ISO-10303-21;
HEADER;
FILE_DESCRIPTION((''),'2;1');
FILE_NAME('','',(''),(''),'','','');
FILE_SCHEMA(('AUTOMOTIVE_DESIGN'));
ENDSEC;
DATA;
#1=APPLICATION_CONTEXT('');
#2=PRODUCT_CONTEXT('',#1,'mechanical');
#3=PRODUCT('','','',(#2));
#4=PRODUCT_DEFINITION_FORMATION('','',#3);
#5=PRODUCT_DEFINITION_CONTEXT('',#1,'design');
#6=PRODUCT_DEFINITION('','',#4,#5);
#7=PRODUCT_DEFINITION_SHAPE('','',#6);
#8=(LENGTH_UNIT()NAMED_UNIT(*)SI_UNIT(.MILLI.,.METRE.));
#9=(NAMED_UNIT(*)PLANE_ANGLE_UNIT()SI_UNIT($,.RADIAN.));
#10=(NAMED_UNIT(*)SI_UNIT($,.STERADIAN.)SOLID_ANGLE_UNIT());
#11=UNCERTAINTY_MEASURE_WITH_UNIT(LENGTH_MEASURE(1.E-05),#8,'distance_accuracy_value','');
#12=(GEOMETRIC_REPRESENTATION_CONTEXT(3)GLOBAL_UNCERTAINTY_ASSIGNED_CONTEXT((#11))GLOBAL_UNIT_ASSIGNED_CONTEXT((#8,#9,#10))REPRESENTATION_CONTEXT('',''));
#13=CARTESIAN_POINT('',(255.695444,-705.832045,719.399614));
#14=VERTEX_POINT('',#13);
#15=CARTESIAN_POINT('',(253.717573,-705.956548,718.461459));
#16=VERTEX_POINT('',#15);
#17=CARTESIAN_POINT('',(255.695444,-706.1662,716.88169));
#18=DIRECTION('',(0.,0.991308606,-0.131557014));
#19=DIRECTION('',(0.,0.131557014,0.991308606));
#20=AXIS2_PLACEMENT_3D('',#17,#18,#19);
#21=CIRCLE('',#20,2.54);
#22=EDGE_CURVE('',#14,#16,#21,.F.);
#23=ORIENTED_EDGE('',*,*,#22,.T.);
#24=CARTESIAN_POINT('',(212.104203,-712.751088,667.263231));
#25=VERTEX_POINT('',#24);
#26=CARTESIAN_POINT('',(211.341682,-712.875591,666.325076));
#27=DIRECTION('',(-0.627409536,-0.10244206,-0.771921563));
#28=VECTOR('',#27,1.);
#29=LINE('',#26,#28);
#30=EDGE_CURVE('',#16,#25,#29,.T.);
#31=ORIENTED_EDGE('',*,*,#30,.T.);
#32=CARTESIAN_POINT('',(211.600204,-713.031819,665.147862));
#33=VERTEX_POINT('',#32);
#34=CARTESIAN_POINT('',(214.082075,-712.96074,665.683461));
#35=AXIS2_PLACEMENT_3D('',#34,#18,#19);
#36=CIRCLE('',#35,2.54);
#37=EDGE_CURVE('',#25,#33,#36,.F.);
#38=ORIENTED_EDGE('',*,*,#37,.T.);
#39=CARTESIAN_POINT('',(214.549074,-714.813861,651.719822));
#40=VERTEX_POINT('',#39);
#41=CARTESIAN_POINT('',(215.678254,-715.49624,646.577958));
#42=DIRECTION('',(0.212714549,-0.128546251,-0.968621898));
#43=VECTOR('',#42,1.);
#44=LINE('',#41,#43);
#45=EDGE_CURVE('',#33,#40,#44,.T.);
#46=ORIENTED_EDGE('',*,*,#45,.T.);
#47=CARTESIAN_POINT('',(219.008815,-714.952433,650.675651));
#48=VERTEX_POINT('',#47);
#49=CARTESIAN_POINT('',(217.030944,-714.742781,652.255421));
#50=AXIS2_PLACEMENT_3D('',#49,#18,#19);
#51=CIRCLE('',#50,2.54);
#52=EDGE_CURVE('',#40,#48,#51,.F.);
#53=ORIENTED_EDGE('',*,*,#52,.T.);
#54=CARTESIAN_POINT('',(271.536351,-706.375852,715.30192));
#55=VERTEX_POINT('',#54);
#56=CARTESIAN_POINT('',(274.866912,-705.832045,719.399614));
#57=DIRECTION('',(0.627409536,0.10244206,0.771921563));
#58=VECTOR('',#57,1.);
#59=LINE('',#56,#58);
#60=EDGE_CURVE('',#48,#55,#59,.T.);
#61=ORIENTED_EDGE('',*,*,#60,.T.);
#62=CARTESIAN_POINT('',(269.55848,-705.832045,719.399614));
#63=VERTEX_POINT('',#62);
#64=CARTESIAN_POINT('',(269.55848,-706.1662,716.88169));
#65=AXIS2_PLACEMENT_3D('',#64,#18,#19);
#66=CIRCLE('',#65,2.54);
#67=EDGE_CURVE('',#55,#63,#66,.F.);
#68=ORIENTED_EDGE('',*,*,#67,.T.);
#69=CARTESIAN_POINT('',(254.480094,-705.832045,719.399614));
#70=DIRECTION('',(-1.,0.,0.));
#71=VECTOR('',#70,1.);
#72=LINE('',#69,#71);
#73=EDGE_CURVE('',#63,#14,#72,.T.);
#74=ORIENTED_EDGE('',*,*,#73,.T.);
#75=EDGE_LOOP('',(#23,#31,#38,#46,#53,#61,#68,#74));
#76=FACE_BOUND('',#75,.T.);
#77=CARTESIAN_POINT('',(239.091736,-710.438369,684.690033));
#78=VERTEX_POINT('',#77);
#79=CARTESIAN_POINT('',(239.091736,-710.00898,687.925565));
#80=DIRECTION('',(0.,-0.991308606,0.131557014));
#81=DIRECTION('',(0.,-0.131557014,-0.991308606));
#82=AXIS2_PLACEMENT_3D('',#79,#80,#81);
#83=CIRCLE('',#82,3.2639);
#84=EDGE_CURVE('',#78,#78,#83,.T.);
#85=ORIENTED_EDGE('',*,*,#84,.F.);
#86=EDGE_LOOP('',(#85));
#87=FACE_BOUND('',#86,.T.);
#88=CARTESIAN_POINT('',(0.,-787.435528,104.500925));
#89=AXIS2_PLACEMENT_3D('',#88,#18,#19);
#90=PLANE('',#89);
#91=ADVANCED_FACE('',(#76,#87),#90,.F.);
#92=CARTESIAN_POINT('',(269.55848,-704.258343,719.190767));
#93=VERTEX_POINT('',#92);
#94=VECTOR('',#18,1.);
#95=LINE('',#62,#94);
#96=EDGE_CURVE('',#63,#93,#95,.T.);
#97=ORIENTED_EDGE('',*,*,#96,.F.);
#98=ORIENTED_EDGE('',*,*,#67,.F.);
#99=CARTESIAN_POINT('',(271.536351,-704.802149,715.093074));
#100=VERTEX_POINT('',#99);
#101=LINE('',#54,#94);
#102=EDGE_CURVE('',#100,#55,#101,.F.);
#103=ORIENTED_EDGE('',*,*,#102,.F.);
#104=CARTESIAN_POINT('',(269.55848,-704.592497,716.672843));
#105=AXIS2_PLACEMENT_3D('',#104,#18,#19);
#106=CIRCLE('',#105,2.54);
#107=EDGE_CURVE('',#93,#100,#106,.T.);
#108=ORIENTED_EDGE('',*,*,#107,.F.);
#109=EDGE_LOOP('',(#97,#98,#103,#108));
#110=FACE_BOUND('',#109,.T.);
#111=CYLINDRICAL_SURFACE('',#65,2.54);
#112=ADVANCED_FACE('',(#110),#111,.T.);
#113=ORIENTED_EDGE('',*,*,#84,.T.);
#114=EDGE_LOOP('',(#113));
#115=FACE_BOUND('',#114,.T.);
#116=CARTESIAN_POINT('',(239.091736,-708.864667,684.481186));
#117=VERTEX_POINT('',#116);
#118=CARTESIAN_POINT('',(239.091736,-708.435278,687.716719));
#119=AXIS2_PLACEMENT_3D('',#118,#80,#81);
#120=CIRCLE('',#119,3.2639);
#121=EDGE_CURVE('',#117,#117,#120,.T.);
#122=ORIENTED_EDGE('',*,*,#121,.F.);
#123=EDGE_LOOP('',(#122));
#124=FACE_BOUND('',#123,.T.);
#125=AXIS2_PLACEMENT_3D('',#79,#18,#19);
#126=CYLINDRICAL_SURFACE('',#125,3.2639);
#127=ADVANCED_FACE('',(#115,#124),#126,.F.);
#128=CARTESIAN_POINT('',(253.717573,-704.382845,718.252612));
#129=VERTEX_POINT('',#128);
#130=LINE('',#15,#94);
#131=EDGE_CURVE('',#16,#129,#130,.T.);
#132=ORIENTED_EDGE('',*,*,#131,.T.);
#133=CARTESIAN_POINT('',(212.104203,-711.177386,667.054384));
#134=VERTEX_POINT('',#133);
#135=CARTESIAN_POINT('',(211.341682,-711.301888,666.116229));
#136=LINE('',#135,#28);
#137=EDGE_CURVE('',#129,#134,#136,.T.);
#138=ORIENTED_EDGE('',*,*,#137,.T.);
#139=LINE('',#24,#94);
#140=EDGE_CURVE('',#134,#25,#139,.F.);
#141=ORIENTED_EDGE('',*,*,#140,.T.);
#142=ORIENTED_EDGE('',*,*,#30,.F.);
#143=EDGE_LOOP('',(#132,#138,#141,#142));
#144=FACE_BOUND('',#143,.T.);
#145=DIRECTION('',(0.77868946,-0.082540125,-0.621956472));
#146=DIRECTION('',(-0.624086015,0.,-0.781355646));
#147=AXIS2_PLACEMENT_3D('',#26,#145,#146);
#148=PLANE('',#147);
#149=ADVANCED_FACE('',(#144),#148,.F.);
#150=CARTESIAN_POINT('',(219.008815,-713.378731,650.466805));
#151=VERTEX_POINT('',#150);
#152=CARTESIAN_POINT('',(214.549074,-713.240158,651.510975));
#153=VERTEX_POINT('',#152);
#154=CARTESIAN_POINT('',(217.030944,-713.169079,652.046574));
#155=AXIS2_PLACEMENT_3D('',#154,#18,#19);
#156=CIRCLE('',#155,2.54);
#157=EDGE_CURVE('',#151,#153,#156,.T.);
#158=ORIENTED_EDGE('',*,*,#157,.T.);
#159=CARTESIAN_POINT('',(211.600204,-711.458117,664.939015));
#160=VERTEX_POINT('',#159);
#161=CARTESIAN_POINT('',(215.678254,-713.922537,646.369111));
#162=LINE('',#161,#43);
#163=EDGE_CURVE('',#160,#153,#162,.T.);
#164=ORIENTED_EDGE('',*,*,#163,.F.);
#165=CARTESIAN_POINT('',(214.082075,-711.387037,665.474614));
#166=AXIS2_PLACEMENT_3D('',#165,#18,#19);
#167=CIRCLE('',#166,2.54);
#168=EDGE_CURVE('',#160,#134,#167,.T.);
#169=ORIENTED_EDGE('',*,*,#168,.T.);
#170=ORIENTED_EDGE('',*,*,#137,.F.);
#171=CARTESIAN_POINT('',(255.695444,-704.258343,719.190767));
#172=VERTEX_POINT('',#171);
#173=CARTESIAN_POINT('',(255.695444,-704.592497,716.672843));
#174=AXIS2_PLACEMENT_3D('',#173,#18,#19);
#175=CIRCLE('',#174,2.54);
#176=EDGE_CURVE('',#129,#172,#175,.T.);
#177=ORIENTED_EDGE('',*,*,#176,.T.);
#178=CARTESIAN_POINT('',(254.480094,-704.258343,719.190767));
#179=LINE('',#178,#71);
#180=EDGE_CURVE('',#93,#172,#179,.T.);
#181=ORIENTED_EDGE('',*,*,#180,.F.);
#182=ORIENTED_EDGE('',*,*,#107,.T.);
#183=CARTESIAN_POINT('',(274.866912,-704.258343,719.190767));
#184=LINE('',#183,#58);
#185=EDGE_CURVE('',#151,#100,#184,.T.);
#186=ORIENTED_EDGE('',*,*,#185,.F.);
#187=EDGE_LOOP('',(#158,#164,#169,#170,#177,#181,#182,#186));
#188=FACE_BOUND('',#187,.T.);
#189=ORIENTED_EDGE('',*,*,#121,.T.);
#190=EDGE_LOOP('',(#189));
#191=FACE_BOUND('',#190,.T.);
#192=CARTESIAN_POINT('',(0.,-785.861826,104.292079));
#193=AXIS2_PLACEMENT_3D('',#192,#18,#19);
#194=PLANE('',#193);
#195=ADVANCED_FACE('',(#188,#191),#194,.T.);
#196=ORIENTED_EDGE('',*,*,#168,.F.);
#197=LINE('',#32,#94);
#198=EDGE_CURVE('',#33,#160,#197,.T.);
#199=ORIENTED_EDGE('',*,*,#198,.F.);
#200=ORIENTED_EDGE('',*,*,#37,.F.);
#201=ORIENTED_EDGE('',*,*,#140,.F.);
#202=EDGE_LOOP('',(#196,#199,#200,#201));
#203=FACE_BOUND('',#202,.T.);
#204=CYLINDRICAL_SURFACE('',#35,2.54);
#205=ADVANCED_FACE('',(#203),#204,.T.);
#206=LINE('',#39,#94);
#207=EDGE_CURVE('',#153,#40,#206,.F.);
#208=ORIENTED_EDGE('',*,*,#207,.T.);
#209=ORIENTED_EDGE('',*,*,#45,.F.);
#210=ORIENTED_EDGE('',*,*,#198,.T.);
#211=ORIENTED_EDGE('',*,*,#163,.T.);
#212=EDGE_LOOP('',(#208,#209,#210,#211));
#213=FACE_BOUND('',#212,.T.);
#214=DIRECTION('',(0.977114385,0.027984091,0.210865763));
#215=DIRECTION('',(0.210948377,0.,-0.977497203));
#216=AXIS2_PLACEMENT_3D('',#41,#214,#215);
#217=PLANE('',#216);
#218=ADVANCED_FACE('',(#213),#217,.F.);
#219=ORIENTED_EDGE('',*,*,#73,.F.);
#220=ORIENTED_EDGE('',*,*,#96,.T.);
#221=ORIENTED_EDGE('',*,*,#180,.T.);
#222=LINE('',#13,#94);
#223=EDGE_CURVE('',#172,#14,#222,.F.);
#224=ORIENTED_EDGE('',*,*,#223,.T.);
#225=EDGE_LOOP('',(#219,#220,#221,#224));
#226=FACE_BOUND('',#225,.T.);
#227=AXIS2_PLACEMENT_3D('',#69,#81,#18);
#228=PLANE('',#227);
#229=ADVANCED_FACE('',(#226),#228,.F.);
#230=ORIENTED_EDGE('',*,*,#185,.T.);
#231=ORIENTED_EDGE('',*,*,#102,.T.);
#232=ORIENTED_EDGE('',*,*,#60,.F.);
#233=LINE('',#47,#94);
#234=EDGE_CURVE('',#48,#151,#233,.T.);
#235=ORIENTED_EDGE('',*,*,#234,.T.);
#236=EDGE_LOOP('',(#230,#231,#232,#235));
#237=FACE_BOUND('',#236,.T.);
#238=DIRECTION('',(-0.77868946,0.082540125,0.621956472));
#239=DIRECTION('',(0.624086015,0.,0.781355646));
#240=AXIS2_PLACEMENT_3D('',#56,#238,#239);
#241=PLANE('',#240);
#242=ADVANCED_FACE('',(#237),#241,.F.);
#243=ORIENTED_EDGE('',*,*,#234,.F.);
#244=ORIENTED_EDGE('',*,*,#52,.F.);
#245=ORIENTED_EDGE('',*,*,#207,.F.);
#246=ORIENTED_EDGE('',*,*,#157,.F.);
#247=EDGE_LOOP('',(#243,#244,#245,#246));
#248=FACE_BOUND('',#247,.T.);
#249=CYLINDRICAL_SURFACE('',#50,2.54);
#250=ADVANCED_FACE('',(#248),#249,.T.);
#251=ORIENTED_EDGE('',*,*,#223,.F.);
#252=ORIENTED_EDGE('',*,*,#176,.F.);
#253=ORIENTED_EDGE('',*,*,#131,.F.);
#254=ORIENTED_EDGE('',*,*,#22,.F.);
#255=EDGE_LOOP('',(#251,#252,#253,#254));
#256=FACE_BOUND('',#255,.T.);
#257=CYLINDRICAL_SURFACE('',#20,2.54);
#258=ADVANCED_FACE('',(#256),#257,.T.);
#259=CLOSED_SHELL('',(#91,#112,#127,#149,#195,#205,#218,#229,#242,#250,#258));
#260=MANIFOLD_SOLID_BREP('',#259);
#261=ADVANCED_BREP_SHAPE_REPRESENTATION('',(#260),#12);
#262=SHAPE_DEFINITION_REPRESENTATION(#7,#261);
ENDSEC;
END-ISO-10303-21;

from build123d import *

# Parameters (mm, degrees)
SKETCH1_R           = 3.2639
BOSS_EXTRUDE1_DEPTH = 1.5875
FILLET1_R           = 2.54


with BuildPart() as part:
    # Sketch1 → Boss-Extrude1 (new body)
    with BuildSketch(Plane(origin=(0, -785.861825839, 104.292078675), x_dir=(-1, 0, 0), z_dir=(9.944750197447412e-14, -0.9913086058858306, 0.13155701386353877))):
        Polygon((-211.341681675, -566.749998262), (-254.480094353, -620.289871881), (-274.866911981, -620.289871881), (-215.678254388, -546.829745501), align=None)
        with Locations((-239.091735599, -588.539871881)):
            Circle(SKETCH1_R, mode=Mode.SUBTRACT)
    extrude(amount=BOSS_EXTRUDE1_DEPTH)

    # Fillet1
    fillet1_edges = [part.edges().sort_by_distance(p)[0] for p in [
        (274.866911981, -705.04519377, 719.295190195),
        (254.480094353, -705.04519377, 719.295190195),
        (211.341681675, -712.088739666, 666.220652718),
        (215.678254388, -714.709388635, 646.473534724),
    ]]
    fillet(fillet1_edges, radius=FILLET1_R)


solid = part.part
